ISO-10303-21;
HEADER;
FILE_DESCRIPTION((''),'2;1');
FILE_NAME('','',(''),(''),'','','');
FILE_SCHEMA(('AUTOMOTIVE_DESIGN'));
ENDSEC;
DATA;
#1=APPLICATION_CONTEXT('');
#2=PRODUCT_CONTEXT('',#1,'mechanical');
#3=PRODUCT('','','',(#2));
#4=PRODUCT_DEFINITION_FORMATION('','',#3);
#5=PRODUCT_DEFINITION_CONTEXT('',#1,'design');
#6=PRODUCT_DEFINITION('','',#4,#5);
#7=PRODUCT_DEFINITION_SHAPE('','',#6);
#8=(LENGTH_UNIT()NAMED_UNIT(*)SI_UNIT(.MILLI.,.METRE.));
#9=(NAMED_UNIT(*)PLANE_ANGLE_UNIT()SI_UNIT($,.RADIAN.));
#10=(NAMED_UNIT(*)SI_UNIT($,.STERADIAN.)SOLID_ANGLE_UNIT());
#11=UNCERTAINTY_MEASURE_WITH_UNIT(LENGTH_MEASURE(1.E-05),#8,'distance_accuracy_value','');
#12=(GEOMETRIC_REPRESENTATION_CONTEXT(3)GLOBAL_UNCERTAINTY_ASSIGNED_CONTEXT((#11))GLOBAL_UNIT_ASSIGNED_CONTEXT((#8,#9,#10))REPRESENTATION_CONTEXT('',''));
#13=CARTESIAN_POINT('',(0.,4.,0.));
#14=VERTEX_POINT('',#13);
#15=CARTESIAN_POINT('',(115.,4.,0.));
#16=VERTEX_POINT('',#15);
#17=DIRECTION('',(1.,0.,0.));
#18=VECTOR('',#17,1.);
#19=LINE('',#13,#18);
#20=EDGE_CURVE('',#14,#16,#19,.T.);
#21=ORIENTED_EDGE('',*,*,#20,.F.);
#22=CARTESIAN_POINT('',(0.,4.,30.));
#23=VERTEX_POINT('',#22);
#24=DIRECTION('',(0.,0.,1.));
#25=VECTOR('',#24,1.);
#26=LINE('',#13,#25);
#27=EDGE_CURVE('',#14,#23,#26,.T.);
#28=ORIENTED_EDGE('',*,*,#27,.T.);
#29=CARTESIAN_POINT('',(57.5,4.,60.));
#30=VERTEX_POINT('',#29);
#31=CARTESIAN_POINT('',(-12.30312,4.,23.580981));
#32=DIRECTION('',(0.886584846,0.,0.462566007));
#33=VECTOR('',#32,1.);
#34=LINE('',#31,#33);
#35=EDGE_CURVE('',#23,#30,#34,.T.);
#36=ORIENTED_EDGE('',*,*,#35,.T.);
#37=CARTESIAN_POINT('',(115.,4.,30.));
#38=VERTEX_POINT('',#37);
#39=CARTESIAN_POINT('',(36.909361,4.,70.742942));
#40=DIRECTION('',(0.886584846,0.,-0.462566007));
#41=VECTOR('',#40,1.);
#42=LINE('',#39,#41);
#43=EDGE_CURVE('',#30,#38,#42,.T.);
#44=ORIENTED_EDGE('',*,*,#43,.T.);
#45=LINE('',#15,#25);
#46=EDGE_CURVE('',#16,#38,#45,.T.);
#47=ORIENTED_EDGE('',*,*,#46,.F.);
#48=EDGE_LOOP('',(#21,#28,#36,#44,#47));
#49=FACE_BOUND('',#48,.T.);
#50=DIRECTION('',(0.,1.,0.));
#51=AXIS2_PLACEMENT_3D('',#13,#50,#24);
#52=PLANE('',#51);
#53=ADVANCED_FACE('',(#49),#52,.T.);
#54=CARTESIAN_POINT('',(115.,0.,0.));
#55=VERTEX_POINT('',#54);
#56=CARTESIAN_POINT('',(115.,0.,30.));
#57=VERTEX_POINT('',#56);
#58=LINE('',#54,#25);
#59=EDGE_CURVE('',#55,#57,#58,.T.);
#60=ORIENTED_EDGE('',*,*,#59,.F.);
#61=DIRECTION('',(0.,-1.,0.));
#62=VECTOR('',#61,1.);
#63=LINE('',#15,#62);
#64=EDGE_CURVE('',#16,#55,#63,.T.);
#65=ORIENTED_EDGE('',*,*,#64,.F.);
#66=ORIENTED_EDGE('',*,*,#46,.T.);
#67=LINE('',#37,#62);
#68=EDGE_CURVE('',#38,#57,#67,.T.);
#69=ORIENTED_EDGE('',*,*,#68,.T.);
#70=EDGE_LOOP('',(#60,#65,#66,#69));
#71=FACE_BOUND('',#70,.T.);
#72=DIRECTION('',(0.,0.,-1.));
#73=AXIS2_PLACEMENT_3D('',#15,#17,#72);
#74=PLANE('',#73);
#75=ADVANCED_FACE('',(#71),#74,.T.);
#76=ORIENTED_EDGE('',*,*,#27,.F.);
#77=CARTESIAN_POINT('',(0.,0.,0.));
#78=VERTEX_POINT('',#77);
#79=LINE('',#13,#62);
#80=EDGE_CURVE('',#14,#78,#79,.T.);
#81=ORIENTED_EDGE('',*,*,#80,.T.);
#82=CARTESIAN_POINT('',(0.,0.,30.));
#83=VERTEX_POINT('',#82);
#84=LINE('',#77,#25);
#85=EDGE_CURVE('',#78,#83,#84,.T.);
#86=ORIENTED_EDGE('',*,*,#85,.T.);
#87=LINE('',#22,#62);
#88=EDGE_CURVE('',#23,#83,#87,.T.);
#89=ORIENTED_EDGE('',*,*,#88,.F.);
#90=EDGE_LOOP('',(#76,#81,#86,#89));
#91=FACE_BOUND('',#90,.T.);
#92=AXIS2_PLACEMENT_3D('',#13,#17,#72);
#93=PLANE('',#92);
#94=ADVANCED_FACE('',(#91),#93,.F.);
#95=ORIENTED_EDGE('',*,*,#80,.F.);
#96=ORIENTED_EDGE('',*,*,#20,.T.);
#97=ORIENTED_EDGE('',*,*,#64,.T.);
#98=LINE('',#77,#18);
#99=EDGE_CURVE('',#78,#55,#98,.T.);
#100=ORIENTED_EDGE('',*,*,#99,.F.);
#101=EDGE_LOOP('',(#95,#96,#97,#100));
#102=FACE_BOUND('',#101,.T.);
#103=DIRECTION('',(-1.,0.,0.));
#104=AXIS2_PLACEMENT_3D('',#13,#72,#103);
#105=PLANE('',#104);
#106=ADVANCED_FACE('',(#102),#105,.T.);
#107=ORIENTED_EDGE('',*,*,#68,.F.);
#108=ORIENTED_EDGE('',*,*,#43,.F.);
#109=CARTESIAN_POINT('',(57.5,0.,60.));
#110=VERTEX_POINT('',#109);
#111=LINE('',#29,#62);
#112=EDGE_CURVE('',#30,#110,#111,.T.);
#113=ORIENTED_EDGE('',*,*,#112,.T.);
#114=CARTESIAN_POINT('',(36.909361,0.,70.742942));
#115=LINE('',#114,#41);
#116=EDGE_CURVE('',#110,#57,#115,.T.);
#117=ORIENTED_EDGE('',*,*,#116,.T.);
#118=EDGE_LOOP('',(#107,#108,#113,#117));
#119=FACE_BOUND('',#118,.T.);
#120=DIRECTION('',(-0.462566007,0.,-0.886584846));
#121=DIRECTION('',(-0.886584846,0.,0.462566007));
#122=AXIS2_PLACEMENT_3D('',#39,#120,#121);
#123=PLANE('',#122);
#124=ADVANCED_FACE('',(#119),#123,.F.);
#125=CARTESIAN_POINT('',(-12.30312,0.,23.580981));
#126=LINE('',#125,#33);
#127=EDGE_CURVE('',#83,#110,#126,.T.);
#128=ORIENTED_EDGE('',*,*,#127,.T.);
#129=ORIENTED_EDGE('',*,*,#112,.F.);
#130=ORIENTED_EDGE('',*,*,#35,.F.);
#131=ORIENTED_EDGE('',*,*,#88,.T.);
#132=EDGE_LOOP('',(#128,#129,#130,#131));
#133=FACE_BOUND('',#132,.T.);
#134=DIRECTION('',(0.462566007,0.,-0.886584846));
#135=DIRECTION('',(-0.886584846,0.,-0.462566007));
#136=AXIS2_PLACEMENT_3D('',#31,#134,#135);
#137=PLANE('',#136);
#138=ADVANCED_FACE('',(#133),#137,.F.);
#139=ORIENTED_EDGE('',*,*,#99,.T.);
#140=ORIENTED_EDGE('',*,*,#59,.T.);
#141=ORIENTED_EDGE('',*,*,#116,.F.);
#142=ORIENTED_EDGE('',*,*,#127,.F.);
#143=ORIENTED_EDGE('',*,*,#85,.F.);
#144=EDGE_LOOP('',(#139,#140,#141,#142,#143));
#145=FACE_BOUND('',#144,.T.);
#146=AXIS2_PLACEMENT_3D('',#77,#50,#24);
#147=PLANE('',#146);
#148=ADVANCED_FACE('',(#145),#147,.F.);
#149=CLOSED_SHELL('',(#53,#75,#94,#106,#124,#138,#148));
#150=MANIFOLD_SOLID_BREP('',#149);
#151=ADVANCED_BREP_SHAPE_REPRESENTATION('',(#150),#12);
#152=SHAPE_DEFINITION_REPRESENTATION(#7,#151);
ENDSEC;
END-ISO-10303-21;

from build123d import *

# Parameters (mm, degrees)
SKETCH1_W           = 115
SKETCH1_H           = 30
BOSS_EXTRUDE1_DEPTH = 4


with BuildPart() as part:
    # Sketch1 → Boss-Extrude1 (new body)
    with BuildSketch(Plane(origin=(0, 0, 0), x_dir=(1, 0, 0), z_dir=(0, 1, 0))):
        Polygon((57.5, -30), (0, -30), (57.5, -60), align=None)
        with Locations((57.5, -15)):
            Rectangle(SKETCH1_W, SKETCH1_H)
        Polygon((57.5, -30), (57.5, -60), (115, -30), align=None)
    extrude(amount=BOSS_EXTRUDE1_DEPTH)


solid = part.part
